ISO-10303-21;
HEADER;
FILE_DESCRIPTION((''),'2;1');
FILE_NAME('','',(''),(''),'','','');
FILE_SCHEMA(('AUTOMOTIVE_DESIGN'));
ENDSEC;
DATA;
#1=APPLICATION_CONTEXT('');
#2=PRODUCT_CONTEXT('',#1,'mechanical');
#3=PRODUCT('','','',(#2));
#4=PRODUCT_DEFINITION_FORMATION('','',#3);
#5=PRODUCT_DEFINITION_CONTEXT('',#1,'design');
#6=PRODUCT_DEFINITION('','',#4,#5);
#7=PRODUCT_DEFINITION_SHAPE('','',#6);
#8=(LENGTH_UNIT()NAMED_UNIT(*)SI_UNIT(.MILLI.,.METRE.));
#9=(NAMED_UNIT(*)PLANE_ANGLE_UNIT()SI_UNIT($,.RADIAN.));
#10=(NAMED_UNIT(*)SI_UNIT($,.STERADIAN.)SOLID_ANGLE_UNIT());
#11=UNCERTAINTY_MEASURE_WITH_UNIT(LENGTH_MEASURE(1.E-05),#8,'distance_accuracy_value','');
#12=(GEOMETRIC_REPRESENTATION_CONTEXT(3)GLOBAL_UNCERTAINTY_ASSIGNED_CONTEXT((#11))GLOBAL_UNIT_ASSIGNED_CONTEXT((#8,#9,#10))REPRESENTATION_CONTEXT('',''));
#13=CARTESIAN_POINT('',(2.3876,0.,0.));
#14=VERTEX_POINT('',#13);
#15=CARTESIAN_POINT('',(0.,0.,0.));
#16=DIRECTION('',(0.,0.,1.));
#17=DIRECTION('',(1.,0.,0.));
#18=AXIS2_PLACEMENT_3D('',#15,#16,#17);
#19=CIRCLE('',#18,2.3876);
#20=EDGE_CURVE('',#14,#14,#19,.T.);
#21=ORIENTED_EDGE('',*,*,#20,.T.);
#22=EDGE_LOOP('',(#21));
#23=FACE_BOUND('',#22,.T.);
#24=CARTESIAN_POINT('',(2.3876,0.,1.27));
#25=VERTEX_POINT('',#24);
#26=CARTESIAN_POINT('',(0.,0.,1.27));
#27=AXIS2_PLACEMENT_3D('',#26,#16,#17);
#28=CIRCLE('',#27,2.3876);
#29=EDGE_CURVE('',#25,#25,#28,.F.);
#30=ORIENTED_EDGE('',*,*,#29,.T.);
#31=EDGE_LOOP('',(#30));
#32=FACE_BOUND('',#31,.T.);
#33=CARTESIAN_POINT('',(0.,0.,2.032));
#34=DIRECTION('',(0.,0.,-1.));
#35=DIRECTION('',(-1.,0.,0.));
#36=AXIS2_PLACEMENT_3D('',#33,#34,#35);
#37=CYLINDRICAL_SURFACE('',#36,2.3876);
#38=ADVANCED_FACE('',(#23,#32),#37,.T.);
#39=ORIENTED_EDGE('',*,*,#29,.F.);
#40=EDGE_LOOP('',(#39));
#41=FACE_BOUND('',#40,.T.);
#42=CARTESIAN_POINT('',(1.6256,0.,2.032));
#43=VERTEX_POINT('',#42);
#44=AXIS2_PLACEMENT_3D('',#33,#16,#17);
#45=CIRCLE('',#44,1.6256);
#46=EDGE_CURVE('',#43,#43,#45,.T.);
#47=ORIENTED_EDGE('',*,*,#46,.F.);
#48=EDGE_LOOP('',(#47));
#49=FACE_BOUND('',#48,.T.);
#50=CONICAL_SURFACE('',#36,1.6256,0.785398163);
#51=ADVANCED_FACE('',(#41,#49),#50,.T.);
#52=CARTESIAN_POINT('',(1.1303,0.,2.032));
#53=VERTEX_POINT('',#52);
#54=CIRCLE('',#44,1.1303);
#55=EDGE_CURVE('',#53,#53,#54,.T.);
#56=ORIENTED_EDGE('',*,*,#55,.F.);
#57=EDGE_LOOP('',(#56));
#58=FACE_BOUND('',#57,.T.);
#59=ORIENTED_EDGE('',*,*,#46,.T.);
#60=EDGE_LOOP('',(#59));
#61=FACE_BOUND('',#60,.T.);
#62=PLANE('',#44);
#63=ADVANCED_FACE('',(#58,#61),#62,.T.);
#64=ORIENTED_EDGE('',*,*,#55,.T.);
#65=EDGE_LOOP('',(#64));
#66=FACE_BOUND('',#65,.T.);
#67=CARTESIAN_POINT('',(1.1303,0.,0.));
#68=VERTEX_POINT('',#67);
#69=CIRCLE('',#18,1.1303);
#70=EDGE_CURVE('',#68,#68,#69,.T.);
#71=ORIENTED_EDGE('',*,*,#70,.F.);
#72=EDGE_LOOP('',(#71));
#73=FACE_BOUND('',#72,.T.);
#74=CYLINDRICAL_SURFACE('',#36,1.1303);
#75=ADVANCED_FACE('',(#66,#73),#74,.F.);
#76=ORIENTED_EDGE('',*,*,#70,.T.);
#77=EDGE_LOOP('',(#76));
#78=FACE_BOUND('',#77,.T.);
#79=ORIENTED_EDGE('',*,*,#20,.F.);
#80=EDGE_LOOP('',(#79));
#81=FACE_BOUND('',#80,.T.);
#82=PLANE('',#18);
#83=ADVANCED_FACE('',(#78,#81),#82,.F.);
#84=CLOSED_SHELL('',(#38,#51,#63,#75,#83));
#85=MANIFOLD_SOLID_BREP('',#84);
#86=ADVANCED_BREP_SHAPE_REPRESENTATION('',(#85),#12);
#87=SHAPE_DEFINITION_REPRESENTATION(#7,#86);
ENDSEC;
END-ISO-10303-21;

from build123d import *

# Parameters (mm, degrees)
SKETCH1_R      = 2.3876
SKETCH1_R_2    = 1.1303
EXTRUDE1_DEPTH = 2.032
CHAMFER1_SIZE  = 0.762


with BuildPart() as part:
    # Sketch1 → Extrude1 (new body)
    with BuildSketch(Plane.XY):
        Circle(SKETCH1_R)
        Circle(SKETCH1_R_2, mode=Mode.SUBTRACT)
    extrude(amount=EXTRUDE1_DEPTH)

    # Chamfer1
    chamfer1_edges = [part.edges().sort_by_distance(p)[0] for p in [
        (-2.3876, 0, 2.032),
    ]]
    chamfer(chamfer1_edges, length=CHAMFER1_SIZE)


solid = part.part
